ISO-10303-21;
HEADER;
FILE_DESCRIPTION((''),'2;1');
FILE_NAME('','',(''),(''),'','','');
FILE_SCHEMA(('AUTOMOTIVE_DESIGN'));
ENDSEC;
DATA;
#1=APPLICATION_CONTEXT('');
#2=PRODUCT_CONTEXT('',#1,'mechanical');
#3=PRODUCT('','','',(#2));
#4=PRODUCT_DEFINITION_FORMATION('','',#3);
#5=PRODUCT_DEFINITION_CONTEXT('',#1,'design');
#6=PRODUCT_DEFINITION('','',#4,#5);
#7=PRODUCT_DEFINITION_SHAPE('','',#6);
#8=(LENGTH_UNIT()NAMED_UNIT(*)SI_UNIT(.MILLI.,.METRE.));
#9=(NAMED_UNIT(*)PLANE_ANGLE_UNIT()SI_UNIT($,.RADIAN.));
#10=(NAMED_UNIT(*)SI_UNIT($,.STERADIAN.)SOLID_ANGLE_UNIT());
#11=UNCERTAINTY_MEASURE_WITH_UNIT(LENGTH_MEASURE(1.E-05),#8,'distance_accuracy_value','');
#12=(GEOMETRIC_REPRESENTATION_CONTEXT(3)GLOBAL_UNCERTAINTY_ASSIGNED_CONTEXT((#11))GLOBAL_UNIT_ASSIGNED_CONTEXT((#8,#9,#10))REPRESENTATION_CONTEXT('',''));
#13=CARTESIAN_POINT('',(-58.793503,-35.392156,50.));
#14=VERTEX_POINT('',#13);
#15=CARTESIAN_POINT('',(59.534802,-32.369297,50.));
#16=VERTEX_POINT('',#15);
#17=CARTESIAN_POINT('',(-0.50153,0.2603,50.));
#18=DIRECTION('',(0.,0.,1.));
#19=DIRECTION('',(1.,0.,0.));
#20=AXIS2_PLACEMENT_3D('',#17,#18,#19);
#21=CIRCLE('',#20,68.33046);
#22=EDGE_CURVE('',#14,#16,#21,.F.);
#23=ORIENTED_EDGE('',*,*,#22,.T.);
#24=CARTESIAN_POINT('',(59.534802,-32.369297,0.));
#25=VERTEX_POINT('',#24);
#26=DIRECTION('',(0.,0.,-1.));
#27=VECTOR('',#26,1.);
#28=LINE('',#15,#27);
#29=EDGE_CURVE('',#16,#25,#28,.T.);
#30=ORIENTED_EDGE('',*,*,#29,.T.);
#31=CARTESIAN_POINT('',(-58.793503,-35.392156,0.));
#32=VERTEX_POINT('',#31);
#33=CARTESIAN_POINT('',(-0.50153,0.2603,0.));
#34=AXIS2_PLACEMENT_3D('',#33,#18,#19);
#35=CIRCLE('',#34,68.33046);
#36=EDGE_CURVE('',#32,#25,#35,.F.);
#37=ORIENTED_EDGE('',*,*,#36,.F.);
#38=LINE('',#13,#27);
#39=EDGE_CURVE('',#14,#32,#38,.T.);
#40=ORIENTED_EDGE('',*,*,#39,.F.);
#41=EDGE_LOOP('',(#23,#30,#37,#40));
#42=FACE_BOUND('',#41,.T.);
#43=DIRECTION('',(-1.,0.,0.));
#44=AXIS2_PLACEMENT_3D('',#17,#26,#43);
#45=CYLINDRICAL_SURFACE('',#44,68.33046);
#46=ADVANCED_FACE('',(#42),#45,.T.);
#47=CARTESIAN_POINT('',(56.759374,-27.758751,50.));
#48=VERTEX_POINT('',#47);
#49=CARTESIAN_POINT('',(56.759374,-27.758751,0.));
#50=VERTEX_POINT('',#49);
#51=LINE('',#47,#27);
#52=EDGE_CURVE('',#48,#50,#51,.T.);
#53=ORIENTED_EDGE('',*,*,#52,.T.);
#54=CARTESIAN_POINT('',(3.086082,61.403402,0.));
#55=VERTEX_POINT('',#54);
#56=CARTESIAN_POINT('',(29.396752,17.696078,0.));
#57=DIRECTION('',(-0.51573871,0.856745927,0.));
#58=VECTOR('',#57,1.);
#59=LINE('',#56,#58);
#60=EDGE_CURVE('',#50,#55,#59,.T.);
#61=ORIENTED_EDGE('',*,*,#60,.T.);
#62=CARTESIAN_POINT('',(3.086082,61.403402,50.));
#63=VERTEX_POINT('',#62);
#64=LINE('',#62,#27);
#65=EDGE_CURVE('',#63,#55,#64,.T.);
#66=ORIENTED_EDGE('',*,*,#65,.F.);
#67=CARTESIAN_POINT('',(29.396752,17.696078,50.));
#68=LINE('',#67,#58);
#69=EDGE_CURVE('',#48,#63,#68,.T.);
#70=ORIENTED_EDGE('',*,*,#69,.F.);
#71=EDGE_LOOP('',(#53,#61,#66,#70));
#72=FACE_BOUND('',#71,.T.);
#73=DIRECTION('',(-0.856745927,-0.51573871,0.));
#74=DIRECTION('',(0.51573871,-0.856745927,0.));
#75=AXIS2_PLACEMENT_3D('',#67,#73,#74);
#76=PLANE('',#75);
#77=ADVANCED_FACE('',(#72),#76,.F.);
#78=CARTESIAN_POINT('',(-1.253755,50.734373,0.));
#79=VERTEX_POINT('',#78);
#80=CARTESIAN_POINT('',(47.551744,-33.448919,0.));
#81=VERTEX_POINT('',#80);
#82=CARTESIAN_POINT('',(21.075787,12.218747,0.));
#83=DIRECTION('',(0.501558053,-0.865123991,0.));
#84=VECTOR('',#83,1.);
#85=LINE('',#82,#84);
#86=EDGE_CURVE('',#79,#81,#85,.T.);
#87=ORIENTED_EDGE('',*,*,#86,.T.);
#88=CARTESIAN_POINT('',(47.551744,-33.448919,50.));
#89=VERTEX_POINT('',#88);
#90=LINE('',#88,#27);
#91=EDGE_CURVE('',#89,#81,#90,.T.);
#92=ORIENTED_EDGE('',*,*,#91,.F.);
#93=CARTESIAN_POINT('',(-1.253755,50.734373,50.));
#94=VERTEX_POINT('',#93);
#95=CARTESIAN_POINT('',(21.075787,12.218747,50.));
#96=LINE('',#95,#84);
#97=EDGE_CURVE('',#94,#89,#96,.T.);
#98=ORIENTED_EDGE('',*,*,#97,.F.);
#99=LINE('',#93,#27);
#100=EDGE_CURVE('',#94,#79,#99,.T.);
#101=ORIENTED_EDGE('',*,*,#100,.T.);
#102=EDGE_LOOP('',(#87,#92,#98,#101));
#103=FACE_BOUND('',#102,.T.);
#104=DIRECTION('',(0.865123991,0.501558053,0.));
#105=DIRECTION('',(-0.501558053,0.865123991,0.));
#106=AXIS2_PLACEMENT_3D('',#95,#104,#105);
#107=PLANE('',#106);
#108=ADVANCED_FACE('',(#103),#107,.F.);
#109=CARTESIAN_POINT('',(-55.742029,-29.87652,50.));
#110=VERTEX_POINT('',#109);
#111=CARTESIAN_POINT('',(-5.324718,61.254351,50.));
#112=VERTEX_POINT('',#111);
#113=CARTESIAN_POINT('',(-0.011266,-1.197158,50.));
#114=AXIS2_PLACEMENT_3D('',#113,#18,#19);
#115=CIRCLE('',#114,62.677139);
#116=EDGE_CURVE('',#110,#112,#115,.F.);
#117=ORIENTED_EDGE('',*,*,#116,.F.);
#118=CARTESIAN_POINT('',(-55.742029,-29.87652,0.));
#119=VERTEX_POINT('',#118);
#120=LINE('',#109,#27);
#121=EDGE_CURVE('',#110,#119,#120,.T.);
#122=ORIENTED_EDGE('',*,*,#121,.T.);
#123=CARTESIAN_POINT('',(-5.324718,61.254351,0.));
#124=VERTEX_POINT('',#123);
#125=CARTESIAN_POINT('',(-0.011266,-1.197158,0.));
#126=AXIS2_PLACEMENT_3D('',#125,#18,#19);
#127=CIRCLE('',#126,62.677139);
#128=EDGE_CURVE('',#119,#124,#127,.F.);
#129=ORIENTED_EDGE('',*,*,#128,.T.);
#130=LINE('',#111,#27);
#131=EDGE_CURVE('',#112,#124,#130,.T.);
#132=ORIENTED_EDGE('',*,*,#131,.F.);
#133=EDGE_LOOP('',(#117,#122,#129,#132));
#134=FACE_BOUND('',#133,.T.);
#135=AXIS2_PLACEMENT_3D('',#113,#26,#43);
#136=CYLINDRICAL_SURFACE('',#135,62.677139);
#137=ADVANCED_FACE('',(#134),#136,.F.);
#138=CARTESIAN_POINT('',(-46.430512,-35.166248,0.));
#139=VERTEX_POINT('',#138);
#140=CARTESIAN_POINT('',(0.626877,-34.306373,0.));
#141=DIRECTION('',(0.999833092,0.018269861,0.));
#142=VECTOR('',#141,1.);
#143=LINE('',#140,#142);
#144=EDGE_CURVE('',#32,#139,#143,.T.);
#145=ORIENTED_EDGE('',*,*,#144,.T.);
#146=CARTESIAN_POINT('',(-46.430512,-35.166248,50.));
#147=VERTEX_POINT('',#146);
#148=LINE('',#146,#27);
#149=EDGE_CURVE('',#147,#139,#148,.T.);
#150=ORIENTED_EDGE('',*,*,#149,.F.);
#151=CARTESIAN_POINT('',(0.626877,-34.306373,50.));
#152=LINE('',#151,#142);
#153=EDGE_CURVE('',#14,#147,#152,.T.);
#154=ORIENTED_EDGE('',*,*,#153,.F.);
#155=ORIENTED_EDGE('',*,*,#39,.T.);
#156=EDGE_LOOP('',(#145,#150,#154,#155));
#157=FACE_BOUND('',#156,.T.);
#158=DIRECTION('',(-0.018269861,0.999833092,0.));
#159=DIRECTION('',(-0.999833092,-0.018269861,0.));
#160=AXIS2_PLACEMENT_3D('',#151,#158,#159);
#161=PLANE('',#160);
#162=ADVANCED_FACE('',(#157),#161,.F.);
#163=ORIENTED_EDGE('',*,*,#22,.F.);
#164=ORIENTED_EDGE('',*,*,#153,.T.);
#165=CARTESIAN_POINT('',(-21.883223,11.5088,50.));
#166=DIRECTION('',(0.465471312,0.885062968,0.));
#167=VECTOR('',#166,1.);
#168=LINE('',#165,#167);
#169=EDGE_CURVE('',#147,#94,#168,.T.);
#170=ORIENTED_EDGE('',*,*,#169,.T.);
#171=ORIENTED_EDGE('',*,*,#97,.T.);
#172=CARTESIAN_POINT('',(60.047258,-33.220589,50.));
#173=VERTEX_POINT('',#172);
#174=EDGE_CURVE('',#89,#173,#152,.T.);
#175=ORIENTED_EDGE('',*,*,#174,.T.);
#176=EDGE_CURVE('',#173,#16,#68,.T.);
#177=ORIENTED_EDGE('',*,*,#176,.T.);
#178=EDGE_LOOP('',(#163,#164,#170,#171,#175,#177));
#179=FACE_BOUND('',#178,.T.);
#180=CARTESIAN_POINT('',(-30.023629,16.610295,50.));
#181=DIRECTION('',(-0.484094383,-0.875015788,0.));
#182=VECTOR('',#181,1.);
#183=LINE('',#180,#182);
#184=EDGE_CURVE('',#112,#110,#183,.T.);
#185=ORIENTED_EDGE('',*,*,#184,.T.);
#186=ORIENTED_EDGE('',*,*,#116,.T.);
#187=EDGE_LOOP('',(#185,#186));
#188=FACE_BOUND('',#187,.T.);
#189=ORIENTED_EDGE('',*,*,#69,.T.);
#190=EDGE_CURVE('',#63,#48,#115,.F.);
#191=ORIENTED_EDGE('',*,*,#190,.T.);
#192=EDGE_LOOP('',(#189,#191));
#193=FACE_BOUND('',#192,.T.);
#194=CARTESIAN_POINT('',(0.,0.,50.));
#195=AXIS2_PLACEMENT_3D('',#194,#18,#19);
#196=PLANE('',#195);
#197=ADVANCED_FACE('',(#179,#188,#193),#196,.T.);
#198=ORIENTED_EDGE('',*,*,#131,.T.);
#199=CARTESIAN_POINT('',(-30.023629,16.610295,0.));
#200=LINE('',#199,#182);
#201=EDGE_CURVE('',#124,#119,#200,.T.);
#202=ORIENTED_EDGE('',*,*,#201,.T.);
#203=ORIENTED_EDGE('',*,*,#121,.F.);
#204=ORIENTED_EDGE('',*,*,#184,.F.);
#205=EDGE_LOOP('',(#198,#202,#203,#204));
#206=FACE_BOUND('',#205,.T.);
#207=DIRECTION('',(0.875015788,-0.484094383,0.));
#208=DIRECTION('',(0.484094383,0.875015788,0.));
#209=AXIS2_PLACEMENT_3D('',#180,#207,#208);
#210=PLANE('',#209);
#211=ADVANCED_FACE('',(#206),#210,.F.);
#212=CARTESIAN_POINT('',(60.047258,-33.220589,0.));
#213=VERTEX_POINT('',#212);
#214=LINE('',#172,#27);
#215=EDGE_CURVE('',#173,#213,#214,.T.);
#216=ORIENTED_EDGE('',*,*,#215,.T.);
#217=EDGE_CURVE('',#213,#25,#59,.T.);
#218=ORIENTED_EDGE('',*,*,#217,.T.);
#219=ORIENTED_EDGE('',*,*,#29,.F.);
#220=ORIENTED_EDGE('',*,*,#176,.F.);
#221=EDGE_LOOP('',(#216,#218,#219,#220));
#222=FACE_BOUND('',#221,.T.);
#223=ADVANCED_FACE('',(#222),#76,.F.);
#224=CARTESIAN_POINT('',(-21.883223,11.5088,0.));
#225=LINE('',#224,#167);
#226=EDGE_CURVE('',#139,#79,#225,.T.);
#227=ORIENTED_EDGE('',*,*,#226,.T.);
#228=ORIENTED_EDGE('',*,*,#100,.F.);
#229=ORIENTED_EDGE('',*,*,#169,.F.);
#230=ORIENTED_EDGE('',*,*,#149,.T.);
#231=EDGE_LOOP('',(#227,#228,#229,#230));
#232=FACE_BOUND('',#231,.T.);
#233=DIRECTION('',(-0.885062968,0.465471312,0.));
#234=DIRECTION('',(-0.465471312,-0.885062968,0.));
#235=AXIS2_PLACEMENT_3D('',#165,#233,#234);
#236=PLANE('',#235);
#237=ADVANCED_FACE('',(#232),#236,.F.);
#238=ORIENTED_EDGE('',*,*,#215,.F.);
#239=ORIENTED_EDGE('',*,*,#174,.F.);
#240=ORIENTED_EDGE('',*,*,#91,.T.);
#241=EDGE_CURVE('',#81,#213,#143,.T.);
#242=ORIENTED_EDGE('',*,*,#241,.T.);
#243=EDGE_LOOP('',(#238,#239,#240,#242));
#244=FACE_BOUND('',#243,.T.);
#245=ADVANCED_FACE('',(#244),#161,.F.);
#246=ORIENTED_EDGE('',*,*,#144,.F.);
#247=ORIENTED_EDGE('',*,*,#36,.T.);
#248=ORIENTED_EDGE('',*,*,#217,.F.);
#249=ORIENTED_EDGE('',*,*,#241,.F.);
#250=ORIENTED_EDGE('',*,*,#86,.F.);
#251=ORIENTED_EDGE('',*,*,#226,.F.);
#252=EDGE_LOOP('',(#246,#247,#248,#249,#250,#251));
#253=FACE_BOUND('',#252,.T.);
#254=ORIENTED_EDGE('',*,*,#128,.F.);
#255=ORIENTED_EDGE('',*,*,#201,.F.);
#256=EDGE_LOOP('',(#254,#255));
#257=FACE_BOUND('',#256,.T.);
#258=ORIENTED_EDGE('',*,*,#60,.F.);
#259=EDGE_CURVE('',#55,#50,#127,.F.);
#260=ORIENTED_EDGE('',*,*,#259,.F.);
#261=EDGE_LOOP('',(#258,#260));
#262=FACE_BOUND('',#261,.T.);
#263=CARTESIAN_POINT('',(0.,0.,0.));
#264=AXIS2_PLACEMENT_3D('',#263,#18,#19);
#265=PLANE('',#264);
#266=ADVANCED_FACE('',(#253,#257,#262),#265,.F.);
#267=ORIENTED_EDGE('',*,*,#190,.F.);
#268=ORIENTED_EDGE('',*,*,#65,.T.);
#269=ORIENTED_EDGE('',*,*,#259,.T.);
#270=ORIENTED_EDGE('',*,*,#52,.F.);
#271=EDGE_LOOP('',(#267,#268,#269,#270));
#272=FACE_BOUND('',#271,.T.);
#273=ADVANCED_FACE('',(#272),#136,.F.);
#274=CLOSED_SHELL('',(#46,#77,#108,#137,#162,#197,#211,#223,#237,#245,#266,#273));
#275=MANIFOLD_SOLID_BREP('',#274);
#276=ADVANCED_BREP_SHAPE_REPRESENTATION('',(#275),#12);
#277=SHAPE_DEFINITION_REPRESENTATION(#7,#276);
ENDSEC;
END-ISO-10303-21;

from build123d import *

# Parameters (mm, degrees)
EXTRUDE_1_DEPTH = 50


with BuildPart() as part:
    # 草图3 → 凸台-拉伸1 (new body)
    with BuildSketch(Plane.XY):
        with BuildLine():
            ThreePointArc((-58.793503257, -35.392156003), (-2.246555748, 68.568474272), (59.534802182, -32.36929731))
            Line((59.534802182, -32.36929731), (60.047257822, -33.220589397))
            Line((60.047257822, -33.220589397), (47.551744298, -33.448918799))
            Line((47.551744298, -33.448918799), (-1.253754565, 50.734372928))
            Line((-1.253754565, 50.734372928), (-46.430511789, -35.166248165))
            Line((-46.430511789, -35.166248165), (-58.793503257, -35.392156003))
        make_face()
        with BuildLine():
            Line((-5.324718346, 61.254350615), (-55.742028798, -29.87652016))
            ThreePointArc((-55.742028798, -29.87652016), (-54.854751969, 29.144492628), (-5.324718346, 61.254350615))
        make_face(mode=Mode.SUBTRACT)
        with BuildLine():
            Line((56.759373511, -27.75875099), (3.086082061, 61.403402212))
            ThreePointArc((3.086082061, 61.403402212), (53.687117349, 31.127868506), (56.759373511, -27.75875099))
        make_face(mode=Mode.SUBTRACT)
    extrude(amount=EXTRUDE_1_DEPTH)


solid = part.part
